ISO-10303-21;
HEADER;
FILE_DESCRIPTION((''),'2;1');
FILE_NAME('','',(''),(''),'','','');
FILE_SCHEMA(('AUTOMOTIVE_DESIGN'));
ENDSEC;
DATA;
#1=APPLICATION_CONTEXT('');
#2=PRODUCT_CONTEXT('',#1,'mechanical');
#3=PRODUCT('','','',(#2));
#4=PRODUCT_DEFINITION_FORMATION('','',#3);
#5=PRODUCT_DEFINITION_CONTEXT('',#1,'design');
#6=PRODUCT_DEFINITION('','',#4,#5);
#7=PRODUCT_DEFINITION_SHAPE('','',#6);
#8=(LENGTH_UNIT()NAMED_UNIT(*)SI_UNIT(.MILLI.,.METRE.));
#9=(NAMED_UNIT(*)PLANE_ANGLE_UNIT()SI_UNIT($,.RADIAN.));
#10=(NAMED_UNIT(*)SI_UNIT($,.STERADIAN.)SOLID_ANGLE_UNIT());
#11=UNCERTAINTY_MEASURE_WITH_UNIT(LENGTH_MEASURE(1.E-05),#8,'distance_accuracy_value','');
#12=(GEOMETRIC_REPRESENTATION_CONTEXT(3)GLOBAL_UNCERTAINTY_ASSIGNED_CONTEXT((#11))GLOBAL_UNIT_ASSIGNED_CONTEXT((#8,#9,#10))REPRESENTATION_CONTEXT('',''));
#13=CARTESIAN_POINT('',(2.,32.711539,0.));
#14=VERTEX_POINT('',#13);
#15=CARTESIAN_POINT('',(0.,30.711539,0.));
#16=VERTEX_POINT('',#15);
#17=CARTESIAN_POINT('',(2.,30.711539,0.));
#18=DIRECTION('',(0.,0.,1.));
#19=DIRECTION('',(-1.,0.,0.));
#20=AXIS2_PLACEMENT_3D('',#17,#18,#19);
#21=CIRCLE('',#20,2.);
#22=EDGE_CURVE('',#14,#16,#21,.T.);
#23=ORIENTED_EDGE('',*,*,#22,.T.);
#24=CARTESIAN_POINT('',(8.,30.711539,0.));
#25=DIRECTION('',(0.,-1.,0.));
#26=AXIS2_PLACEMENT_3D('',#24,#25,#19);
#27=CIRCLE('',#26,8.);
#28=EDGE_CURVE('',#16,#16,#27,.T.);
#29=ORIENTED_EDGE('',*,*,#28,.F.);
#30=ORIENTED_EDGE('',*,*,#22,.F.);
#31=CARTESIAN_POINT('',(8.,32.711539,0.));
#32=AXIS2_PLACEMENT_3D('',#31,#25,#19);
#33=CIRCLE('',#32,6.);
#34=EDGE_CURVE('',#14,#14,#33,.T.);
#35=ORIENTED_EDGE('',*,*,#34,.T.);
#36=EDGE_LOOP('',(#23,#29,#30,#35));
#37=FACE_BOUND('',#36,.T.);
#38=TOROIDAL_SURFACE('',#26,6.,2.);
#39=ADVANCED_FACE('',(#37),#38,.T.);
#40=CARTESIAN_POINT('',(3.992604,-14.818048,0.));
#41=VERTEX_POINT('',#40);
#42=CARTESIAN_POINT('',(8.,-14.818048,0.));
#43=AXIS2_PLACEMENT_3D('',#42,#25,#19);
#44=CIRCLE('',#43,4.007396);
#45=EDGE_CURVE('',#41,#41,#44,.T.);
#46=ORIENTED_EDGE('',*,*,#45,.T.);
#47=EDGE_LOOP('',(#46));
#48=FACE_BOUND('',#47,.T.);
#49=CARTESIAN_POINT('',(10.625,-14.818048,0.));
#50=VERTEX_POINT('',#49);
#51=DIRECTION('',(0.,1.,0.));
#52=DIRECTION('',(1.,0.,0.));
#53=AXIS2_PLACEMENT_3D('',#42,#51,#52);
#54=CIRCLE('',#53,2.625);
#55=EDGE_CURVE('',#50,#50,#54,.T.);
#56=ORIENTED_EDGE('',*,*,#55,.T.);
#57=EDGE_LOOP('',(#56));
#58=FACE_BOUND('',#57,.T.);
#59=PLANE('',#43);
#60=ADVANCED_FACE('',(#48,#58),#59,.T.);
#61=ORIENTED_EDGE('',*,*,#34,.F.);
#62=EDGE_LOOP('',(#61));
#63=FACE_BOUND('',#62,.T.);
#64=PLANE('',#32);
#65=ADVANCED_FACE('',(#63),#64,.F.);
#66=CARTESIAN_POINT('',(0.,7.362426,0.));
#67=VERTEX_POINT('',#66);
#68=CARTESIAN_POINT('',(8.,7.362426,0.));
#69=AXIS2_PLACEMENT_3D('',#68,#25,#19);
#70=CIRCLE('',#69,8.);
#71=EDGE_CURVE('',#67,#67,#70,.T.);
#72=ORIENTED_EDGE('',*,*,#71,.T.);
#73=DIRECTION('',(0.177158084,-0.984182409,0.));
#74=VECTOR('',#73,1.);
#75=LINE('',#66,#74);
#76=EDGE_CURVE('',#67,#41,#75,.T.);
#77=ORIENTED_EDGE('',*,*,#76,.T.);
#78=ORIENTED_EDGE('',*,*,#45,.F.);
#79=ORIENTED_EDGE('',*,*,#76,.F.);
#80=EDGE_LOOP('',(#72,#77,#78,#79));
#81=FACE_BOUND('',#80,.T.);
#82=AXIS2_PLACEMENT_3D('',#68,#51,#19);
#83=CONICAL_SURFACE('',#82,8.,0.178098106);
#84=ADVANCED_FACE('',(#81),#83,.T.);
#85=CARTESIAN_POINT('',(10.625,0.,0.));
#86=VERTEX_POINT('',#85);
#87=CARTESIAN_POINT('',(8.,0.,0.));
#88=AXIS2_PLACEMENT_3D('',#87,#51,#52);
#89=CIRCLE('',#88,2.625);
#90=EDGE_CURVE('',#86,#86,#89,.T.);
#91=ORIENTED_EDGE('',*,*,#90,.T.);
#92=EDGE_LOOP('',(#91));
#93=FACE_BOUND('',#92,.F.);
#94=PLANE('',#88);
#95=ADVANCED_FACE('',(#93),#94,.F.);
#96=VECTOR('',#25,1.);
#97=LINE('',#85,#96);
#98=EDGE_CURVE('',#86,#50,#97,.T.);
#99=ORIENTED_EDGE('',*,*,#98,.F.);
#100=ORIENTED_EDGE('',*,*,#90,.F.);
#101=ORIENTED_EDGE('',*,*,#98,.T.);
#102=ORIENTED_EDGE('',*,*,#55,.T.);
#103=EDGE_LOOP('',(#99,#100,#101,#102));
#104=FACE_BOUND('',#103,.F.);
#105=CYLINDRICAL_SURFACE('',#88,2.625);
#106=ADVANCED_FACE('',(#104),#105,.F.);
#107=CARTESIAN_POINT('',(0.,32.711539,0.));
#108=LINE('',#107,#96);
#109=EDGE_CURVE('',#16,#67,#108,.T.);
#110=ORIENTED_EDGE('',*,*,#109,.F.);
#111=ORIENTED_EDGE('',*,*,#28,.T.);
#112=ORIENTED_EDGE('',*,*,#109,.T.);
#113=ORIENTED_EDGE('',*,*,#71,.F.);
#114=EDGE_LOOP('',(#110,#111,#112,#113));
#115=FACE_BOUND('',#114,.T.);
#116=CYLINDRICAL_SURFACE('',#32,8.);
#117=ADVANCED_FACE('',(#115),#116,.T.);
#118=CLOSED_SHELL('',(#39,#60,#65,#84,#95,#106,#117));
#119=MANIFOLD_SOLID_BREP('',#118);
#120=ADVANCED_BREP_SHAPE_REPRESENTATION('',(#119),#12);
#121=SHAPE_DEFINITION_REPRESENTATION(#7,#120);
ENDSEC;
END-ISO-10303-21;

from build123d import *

# Parameters (mm, degrees)
F3_R     = 2
F5_D     = 5.25
F5_DEPTH = 14.8190481046


with BuildPart() as f2:
    # F0 (on Top) → F2 (revolve)
    with BuildSketch(Plane.XY):
        Polygon((0, -14.8180481046), (0, 32.7115394175), (-8, 32.7115394175), (-8, 7.3624262586), (-4.0073962882, -14.8180481046), align=None)
    revolve(axis=Axis((0, 8.853550069, 0), (0, -1, 0)))

    # F3
    f3_edges = [f2.edges().sort_by_distance(p)[0] for p in [
        (8, 32.711539, 0),
    ]]
    fillet(f3_edges, radius=F3_R)

    # F5 (through all, one way)
    with BuildSketch(Plane(origin=(0, 0, 0), x_dir=(1, 0, 0), z_dir=(0, 1, 0))):
        with Locations((0, 0)):
            Circle(F5_D / 2)
    extrude(amount=-F5_DEPTH, mode=Mode.SUBTRACT)


with BuildPart() as f2_1:
    # F6: moved
    add(f2.part.moved(Location((8, 0, 0))))


solid = f2_1.part
